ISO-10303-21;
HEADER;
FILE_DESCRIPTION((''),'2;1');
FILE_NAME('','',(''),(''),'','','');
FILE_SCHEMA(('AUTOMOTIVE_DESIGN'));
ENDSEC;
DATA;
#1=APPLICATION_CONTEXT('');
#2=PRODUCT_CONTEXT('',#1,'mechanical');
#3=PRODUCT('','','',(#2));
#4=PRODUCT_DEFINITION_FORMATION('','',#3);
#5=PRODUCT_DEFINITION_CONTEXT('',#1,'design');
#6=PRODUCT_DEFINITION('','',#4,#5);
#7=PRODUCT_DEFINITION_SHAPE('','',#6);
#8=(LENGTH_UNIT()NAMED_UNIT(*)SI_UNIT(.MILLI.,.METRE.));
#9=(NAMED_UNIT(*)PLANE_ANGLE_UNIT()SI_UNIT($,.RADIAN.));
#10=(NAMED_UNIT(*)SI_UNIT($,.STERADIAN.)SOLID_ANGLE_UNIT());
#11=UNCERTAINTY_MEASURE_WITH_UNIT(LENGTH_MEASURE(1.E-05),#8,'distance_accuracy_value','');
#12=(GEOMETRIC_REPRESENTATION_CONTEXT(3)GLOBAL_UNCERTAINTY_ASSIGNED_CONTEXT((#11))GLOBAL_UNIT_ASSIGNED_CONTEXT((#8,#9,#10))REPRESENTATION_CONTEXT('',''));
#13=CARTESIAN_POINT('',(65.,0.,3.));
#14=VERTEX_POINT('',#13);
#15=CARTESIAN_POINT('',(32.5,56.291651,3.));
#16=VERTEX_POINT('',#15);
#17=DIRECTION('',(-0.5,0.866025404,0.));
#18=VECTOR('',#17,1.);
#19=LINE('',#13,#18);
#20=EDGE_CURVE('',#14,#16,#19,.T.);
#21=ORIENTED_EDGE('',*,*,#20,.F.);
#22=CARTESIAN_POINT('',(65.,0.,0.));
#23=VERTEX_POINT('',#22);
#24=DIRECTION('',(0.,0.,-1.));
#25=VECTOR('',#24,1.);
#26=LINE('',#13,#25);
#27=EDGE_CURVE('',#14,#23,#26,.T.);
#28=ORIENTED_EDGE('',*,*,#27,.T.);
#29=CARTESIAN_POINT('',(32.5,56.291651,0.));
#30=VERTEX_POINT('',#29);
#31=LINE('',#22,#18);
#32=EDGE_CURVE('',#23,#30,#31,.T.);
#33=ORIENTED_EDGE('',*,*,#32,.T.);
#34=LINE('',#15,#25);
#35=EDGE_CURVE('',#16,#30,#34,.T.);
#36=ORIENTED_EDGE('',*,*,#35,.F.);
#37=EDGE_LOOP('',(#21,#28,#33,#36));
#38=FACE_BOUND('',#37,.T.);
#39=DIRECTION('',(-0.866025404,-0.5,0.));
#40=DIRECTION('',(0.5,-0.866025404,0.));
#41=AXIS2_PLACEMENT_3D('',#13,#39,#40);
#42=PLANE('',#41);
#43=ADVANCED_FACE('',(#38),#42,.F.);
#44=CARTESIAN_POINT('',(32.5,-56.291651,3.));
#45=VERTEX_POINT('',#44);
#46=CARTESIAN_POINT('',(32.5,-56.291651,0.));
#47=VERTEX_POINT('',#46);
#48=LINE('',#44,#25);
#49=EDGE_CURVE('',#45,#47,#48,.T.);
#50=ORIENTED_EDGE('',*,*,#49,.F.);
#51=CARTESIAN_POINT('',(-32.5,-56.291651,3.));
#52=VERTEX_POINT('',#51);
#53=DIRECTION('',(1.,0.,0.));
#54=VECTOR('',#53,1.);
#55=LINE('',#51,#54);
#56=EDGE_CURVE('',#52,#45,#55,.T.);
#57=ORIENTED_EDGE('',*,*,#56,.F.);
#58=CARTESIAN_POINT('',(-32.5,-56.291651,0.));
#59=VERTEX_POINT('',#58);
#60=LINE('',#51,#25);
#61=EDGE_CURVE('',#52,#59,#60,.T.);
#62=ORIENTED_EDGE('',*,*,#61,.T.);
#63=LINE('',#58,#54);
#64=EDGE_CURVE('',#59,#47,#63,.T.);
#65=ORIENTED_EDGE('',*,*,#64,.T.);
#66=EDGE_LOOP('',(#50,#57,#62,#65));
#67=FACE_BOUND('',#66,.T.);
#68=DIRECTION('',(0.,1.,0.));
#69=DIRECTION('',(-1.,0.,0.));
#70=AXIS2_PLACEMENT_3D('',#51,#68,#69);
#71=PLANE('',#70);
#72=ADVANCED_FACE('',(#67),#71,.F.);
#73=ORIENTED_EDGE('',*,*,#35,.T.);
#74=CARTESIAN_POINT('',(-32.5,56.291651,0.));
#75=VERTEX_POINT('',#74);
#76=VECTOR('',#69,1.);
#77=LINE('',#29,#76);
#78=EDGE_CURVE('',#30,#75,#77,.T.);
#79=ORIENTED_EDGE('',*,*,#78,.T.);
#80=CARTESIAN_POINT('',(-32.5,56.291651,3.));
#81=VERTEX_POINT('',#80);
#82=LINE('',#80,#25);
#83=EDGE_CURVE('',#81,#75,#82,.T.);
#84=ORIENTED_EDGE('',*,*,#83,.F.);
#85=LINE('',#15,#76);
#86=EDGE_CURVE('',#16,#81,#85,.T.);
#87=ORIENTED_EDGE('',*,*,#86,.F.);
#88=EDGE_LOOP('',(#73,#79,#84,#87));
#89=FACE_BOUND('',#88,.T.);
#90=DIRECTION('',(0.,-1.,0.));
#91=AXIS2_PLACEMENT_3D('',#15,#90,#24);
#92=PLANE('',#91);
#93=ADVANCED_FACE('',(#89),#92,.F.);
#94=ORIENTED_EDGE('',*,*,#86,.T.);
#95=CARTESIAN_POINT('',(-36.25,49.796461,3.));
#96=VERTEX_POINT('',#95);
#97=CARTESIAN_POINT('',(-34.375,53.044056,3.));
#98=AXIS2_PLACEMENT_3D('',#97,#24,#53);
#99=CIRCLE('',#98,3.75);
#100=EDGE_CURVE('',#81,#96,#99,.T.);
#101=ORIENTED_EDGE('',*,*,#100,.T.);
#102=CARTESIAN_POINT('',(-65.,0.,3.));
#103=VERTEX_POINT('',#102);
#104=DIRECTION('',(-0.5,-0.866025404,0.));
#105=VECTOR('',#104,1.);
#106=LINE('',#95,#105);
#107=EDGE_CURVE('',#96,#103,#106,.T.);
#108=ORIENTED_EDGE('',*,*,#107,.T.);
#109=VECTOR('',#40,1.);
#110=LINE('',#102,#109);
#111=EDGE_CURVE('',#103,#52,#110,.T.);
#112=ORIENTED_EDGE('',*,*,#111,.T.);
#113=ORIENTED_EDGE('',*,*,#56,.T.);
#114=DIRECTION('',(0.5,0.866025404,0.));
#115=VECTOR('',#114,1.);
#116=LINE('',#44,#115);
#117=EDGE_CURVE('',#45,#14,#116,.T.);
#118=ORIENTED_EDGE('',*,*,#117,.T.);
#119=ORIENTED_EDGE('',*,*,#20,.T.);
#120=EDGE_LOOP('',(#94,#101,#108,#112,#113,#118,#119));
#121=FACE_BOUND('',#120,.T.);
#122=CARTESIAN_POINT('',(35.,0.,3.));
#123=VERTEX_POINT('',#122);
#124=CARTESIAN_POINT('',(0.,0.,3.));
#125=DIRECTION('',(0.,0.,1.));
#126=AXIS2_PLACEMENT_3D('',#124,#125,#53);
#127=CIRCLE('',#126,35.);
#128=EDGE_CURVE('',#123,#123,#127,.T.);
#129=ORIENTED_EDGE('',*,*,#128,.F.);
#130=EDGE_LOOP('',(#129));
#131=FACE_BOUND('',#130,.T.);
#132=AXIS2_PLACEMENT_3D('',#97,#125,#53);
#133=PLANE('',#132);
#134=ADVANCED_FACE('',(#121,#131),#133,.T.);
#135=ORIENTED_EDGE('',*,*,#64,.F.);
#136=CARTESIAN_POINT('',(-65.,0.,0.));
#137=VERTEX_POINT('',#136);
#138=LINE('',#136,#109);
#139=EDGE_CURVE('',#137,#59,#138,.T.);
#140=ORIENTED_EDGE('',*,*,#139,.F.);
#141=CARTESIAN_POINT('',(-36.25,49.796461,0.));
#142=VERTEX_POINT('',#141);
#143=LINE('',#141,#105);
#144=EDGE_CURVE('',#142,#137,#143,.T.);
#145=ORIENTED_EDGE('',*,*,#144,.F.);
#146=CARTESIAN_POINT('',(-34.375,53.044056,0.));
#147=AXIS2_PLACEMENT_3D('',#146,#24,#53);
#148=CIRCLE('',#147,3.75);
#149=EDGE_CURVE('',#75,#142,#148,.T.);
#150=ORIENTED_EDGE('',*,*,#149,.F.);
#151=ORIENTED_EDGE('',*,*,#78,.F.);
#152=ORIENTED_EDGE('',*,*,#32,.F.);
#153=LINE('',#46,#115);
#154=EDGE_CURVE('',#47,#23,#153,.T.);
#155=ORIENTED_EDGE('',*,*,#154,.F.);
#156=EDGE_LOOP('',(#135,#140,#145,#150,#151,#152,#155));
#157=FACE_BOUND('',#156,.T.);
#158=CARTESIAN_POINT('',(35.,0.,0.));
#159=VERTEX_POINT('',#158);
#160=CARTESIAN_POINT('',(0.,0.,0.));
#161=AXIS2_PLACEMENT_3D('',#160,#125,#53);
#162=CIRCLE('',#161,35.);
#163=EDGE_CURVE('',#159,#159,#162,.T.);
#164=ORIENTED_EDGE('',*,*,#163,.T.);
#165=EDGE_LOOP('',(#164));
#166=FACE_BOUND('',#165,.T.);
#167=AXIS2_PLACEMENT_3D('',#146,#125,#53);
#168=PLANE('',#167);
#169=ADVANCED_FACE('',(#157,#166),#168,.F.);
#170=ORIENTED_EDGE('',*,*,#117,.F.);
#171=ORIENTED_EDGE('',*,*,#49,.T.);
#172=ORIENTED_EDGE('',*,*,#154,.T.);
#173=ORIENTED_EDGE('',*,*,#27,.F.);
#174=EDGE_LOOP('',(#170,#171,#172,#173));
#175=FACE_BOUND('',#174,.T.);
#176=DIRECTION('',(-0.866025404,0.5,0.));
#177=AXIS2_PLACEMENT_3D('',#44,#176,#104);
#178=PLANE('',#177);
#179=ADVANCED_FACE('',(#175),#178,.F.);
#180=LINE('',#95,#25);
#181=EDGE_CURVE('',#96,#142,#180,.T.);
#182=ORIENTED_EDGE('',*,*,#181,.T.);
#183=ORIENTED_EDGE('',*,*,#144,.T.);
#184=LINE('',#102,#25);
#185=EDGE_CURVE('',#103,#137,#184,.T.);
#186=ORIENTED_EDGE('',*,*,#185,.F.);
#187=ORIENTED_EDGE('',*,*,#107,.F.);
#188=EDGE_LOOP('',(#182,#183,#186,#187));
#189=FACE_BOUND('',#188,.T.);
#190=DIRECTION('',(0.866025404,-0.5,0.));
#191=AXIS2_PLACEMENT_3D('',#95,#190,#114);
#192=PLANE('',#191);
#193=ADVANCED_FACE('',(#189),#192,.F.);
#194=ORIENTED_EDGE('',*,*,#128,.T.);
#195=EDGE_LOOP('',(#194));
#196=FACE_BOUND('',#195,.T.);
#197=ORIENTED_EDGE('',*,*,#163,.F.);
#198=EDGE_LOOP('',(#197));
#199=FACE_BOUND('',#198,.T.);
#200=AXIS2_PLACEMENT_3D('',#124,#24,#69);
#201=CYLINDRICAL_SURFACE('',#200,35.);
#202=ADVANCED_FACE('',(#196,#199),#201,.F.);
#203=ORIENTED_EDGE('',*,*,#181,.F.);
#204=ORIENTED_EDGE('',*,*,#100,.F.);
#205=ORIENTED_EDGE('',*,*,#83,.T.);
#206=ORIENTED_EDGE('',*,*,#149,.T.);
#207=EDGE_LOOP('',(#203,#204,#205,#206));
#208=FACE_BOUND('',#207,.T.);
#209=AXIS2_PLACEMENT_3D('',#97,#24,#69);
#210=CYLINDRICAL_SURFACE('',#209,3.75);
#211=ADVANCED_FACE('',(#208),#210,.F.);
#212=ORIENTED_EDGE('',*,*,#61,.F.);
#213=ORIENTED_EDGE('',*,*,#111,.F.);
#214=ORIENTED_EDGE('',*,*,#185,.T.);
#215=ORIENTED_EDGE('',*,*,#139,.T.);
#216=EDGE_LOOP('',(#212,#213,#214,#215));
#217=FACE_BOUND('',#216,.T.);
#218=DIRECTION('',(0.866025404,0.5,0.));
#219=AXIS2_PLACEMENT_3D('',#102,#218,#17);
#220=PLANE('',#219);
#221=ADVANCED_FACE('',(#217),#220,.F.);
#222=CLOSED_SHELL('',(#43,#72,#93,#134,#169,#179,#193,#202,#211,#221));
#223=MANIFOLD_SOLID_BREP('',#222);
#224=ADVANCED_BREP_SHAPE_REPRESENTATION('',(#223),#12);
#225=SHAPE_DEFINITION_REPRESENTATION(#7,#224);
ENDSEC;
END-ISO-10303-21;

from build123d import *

# Parameters (mm, degrees)
CROQUIS2_R              = 35
SALIENTE_EXTRUIR1_DEPTH = 3


with BuildPart() as part:
    # Croquis2 → Saliente-Extruir1 (new body)
    with BuildSketch(Plane.XY):
        with BuildLine():
            Line((-65, 0), (-32.5, -56.291651246))
            Line((-32.5, -56.291651246), (32.5, -56.291651246))
            Line((32.5, -56.291651246), (65, 0))
            Line((65, 0), (32.5, 56.291651246))
            Line((32.5, 56.291651246), (-32.5, 56.291651246))
            ThreePointArc((-32.5, 56.291651246), (-31.127404736, 51.169055982), (-36.25, 49.796460718))
            Line((-36.25, 49.796460718), (-65, 0))
        make_face()
        Circle(CROQUIS2_R, mode=Mode.SUBTRACT)
    extrude(amount=SALIENTE_EXTRUIR1_DEPTH)


solid = part.part
